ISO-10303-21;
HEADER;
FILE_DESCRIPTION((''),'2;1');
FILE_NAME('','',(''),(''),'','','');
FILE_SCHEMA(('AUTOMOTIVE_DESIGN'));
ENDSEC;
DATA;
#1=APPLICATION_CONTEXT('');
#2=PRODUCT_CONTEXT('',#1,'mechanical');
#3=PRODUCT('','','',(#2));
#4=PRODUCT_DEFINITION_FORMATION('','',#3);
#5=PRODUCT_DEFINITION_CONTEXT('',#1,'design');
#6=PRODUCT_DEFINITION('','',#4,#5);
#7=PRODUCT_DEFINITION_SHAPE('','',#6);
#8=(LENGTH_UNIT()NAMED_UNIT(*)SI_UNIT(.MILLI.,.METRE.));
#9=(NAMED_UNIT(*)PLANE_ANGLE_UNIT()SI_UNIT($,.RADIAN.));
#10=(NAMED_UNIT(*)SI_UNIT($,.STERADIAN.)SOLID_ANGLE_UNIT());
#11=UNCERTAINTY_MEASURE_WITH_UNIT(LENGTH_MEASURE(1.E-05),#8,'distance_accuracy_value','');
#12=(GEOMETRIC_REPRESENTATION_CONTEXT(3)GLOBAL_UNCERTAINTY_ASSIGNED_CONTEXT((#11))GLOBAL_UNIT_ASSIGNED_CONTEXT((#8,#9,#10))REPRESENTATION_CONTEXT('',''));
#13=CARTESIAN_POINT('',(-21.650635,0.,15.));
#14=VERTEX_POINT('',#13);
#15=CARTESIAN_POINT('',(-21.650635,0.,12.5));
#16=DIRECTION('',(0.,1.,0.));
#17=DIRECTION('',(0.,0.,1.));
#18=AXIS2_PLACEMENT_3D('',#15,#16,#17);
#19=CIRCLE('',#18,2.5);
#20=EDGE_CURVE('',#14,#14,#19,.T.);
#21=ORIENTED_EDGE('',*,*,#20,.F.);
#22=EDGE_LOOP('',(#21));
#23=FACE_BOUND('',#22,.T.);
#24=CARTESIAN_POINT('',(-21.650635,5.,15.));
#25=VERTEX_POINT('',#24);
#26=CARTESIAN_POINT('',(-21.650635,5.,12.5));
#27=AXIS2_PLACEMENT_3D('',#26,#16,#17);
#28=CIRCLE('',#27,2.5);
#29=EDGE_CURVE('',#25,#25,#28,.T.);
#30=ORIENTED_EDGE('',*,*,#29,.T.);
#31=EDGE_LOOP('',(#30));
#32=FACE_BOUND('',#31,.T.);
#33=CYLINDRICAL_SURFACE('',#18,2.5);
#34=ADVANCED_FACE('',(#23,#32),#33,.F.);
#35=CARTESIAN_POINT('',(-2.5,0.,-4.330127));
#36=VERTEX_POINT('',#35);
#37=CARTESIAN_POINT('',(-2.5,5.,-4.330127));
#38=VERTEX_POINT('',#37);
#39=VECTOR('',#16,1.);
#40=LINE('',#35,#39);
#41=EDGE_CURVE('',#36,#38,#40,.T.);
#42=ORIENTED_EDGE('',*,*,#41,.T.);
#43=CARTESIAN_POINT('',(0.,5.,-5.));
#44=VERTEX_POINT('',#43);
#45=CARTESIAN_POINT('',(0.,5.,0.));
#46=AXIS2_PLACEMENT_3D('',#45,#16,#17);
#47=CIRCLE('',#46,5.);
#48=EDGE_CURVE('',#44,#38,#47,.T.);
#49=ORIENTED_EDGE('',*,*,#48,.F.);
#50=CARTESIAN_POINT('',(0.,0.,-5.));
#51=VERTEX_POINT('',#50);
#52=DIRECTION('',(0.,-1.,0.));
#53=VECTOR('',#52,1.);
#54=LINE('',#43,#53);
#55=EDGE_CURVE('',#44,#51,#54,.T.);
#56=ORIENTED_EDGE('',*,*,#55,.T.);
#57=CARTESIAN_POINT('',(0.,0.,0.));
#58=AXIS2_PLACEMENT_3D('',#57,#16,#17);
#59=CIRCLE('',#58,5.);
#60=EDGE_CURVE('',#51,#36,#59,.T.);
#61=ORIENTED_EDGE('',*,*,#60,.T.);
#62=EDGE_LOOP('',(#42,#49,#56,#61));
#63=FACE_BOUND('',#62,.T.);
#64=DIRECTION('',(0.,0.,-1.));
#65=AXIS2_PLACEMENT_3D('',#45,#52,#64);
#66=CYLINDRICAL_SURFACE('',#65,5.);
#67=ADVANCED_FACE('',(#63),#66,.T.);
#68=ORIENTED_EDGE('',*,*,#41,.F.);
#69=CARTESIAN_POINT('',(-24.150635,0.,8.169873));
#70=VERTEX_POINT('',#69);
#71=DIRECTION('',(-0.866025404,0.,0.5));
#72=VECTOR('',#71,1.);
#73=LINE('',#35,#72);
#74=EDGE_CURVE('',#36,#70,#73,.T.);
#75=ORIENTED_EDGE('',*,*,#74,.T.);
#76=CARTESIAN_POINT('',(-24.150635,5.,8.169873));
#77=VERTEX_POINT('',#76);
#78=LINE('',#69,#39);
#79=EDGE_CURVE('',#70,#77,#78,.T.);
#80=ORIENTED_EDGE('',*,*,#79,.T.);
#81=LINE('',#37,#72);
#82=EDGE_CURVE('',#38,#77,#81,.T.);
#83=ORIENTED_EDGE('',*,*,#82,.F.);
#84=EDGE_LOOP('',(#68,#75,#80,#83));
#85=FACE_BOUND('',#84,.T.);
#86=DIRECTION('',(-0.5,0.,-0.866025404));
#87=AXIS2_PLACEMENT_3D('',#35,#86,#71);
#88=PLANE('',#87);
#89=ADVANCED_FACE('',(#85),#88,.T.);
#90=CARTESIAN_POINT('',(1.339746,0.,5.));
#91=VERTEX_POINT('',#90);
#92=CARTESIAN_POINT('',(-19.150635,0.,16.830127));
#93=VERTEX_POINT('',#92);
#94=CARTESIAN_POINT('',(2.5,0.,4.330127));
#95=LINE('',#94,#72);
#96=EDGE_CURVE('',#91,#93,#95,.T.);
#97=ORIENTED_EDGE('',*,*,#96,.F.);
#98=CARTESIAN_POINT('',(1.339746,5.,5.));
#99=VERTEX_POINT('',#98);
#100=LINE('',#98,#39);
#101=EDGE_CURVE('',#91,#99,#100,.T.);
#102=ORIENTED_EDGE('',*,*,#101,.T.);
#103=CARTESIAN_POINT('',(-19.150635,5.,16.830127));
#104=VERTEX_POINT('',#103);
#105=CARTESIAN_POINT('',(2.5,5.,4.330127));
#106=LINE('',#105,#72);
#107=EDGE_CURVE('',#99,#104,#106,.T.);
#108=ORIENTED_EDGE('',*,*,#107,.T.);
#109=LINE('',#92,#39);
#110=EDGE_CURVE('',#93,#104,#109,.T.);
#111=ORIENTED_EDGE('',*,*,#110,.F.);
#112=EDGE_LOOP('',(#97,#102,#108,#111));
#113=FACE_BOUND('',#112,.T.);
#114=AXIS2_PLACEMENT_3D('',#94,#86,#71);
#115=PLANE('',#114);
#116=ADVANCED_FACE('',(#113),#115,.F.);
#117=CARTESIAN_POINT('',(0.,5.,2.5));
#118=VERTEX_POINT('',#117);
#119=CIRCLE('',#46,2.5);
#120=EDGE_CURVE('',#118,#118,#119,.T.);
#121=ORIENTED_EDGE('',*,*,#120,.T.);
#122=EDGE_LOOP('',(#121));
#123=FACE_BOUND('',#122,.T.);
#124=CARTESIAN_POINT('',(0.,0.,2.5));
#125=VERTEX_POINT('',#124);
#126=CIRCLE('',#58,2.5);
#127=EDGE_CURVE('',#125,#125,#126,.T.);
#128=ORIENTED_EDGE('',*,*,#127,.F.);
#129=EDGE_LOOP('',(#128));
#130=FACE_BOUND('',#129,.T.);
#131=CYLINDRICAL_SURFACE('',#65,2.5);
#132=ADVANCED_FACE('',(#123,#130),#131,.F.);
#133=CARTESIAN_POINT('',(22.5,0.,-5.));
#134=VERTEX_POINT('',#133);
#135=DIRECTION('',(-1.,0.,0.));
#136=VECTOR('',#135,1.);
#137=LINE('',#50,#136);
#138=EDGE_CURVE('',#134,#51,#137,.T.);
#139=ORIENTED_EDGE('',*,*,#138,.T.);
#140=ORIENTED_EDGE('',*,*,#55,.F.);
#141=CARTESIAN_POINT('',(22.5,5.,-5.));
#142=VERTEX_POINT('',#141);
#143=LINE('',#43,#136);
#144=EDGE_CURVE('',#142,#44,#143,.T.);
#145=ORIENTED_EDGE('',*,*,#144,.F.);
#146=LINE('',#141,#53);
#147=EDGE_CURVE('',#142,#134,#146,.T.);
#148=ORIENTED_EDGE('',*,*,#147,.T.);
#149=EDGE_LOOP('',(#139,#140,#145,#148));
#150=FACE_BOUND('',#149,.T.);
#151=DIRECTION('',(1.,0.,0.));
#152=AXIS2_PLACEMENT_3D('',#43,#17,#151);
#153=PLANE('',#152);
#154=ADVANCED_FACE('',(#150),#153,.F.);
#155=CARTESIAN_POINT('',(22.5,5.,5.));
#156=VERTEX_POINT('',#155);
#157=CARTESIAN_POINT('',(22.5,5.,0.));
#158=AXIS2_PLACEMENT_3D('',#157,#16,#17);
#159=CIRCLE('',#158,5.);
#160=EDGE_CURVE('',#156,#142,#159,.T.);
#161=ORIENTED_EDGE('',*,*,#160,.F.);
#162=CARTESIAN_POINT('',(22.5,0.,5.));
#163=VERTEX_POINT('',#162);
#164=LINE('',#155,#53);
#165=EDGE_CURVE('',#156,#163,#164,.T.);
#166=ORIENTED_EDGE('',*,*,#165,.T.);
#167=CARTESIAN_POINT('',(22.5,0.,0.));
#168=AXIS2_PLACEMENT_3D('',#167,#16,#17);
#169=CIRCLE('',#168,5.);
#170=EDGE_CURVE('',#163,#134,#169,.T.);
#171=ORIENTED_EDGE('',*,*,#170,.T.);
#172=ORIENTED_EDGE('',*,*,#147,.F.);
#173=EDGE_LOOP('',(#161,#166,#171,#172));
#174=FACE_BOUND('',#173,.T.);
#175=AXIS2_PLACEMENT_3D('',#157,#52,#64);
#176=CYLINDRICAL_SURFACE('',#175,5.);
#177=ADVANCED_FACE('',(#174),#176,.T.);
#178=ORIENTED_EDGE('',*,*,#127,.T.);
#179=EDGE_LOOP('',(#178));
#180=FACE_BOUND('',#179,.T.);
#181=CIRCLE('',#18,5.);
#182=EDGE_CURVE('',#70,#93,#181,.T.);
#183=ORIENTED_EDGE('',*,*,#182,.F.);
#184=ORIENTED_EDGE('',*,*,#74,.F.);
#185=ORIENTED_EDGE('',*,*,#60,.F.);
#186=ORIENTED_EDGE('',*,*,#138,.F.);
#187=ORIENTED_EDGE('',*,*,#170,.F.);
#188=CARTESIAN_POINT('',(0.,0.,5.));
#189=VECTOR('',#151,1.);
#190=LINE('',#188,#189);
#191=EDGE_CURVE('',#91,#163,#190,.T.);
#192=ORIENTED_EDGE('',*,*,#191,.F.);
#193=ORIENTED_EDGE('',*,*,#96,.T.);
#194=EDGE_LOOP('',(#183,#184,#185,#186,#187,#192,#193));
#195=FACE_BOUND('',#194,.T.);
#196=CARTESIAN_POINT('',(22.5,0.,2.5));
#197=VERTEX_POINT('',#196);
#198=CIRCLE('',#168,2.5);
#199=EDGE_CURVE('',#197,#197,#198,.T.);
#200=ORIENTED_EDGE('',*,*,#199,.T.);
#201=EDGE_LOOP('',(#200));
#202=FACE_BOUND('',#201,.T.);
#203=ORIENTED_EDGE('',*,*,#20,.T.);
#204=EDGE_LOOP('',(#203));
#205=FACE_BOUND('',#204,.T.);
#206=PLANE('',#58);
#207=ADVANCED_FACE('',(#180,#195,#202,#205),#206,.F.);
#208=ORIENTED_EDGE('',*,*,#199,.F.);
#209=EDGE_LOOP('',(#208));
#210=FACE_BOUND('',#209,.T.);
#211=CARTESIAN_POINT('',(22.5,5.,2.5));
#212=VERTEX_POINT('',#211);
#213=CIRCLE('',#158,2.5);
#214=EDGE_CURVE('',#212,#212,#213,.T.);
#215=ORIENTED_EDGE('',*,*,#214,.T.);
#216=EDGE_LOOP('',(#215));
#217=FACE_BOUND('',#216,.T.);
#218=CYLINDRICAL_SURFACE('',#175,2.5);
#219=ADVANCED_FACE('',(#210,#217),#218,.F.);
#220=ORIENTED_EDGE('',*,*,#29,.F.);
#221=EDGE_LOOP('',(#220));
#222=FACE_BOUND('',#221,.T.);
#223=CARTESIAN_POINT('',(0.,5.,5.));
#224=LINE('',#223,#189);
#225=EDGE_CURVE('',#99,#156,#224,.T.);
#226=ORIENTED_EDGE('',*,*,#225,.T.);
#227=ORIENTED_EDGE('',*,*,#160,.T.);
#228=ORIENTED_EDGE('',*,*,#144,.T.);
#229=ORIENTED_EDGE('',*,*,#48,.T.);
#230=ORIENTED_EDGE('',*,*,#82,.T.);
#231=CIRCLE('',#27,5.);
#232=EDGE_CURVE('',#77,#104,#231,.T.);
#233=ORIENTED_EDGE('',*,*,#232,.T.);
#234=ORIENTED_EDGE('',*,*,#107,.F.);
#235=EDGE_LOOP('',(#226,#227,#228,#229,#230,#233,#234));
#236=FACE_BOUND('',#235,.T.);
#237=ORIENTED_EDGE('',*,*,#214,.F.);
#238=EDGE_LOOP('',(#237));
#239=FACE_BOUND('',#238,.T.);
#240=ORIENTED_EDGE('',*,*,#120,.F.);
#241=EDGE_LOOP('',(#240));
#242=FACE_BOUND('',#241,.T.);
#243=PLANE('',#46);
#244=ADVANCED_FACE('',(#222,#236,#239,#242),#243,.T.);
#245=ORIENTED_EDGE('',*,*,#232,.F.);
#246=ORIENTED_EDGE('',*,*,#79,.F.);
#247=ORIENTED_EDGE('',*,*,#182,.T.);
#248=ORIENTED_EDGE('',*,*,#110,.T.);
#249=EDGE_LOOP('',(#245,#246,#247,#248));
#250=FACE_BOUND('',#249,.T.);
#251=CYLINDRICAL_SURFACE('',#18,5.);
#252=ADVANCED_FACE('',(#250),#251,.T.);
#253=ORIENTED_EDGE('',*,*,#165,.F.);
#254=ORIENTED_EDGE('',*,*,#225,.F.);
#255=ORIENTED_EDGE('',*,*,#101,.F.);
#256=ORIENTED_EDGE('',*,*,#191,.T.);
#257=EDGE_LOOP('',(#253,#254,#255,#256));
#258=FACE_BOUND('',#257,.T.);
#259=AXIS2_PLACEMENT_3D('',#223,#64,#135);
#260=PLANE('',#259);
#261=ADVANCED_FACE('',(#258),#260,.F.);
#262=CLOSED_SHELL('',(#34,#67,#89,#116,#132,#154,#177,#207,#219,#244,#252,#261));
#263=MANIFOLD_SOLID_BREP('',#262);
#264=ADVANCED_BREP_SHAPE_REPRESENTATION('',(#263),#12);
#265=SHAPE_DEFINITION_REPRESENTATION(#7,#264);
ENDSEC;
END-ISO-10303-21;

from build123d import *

# Parameters (mm, degrees)
SKETCH1_R           = 2.5
BOSS_EXTRUDE1_DEPTH = 5
BOSS_EXTRUDE2_START = -5
SKETCH2_R           = 2.5
BOSS_EXTRUDE2_DEPTH = 5


with BuildPart() as part:
    # Sketch1 → Boss-Extrude1 (new body)
    with BuildSketch(Plane(origin=(0, 0, 0), x_dir=(1, 0, 0), z_dir=(0, 1, 0))):
        with BuildLine():
            Line((0, 5), (22.5, 5))
            ThreePointArc((22.5, 5), (27.5, 0), (22.5, -5))
            Line((22.5, -5), (0, -5))
            ThreePointArc((0, -5), (-5, 0), (0, 5))
        make_face()
        with Locations(Location((0, 0, 0), (0, 0, 270))):
            Circle(SKETCH1_R, mode=Mode.SUBTRACT)
        with Locations(Location((22.5, 0, 0), (0, 0, 270))):
            Circle(SKETCH1_R, mode=Mode.SUBTRACT)
    extrude(amount=BOSS_EXTRUDE1_DEPTH)

    # Sketch2 → Boss-Extrude2 (add)
    with BuildSketch(Plane(origin=(0, 5, 0), x_dir=(1, 0, 0), z_dir=(0, 1, 0)).offset(BOSS_EXTRUDE2_START)):
        with BuildLine():
            Line((2.5, -4.330127019), (-19.150635095, -16.830127019))
            ThreePointArc((-19.150635095, -16.830127019), (-25.980762114, -15), (-24.150635095, -8.169872981))
            Line((-24.150635095, -8.169872981), (-2.5, 4.330127019))
            ThreePointArc((-2.5, 4.330127019), (4.330127019, 2.5), (2.5, -4.330127019))
        make_face()
        with Locations(Location((-21.650635095, -12.5, 0), (0, 0, 270))):
            Circle(SKETCH2_R, mode=Mode.SUBTRACT)
        with Locations(Location((0, 0, 0), (0, 0, 270))):
            Circle(SKETCH2_R, mode=Mode.SUBTRACT)
    extrude(amount=BOSS_EXTRUDE2_DEPTH)


solid = part.part
